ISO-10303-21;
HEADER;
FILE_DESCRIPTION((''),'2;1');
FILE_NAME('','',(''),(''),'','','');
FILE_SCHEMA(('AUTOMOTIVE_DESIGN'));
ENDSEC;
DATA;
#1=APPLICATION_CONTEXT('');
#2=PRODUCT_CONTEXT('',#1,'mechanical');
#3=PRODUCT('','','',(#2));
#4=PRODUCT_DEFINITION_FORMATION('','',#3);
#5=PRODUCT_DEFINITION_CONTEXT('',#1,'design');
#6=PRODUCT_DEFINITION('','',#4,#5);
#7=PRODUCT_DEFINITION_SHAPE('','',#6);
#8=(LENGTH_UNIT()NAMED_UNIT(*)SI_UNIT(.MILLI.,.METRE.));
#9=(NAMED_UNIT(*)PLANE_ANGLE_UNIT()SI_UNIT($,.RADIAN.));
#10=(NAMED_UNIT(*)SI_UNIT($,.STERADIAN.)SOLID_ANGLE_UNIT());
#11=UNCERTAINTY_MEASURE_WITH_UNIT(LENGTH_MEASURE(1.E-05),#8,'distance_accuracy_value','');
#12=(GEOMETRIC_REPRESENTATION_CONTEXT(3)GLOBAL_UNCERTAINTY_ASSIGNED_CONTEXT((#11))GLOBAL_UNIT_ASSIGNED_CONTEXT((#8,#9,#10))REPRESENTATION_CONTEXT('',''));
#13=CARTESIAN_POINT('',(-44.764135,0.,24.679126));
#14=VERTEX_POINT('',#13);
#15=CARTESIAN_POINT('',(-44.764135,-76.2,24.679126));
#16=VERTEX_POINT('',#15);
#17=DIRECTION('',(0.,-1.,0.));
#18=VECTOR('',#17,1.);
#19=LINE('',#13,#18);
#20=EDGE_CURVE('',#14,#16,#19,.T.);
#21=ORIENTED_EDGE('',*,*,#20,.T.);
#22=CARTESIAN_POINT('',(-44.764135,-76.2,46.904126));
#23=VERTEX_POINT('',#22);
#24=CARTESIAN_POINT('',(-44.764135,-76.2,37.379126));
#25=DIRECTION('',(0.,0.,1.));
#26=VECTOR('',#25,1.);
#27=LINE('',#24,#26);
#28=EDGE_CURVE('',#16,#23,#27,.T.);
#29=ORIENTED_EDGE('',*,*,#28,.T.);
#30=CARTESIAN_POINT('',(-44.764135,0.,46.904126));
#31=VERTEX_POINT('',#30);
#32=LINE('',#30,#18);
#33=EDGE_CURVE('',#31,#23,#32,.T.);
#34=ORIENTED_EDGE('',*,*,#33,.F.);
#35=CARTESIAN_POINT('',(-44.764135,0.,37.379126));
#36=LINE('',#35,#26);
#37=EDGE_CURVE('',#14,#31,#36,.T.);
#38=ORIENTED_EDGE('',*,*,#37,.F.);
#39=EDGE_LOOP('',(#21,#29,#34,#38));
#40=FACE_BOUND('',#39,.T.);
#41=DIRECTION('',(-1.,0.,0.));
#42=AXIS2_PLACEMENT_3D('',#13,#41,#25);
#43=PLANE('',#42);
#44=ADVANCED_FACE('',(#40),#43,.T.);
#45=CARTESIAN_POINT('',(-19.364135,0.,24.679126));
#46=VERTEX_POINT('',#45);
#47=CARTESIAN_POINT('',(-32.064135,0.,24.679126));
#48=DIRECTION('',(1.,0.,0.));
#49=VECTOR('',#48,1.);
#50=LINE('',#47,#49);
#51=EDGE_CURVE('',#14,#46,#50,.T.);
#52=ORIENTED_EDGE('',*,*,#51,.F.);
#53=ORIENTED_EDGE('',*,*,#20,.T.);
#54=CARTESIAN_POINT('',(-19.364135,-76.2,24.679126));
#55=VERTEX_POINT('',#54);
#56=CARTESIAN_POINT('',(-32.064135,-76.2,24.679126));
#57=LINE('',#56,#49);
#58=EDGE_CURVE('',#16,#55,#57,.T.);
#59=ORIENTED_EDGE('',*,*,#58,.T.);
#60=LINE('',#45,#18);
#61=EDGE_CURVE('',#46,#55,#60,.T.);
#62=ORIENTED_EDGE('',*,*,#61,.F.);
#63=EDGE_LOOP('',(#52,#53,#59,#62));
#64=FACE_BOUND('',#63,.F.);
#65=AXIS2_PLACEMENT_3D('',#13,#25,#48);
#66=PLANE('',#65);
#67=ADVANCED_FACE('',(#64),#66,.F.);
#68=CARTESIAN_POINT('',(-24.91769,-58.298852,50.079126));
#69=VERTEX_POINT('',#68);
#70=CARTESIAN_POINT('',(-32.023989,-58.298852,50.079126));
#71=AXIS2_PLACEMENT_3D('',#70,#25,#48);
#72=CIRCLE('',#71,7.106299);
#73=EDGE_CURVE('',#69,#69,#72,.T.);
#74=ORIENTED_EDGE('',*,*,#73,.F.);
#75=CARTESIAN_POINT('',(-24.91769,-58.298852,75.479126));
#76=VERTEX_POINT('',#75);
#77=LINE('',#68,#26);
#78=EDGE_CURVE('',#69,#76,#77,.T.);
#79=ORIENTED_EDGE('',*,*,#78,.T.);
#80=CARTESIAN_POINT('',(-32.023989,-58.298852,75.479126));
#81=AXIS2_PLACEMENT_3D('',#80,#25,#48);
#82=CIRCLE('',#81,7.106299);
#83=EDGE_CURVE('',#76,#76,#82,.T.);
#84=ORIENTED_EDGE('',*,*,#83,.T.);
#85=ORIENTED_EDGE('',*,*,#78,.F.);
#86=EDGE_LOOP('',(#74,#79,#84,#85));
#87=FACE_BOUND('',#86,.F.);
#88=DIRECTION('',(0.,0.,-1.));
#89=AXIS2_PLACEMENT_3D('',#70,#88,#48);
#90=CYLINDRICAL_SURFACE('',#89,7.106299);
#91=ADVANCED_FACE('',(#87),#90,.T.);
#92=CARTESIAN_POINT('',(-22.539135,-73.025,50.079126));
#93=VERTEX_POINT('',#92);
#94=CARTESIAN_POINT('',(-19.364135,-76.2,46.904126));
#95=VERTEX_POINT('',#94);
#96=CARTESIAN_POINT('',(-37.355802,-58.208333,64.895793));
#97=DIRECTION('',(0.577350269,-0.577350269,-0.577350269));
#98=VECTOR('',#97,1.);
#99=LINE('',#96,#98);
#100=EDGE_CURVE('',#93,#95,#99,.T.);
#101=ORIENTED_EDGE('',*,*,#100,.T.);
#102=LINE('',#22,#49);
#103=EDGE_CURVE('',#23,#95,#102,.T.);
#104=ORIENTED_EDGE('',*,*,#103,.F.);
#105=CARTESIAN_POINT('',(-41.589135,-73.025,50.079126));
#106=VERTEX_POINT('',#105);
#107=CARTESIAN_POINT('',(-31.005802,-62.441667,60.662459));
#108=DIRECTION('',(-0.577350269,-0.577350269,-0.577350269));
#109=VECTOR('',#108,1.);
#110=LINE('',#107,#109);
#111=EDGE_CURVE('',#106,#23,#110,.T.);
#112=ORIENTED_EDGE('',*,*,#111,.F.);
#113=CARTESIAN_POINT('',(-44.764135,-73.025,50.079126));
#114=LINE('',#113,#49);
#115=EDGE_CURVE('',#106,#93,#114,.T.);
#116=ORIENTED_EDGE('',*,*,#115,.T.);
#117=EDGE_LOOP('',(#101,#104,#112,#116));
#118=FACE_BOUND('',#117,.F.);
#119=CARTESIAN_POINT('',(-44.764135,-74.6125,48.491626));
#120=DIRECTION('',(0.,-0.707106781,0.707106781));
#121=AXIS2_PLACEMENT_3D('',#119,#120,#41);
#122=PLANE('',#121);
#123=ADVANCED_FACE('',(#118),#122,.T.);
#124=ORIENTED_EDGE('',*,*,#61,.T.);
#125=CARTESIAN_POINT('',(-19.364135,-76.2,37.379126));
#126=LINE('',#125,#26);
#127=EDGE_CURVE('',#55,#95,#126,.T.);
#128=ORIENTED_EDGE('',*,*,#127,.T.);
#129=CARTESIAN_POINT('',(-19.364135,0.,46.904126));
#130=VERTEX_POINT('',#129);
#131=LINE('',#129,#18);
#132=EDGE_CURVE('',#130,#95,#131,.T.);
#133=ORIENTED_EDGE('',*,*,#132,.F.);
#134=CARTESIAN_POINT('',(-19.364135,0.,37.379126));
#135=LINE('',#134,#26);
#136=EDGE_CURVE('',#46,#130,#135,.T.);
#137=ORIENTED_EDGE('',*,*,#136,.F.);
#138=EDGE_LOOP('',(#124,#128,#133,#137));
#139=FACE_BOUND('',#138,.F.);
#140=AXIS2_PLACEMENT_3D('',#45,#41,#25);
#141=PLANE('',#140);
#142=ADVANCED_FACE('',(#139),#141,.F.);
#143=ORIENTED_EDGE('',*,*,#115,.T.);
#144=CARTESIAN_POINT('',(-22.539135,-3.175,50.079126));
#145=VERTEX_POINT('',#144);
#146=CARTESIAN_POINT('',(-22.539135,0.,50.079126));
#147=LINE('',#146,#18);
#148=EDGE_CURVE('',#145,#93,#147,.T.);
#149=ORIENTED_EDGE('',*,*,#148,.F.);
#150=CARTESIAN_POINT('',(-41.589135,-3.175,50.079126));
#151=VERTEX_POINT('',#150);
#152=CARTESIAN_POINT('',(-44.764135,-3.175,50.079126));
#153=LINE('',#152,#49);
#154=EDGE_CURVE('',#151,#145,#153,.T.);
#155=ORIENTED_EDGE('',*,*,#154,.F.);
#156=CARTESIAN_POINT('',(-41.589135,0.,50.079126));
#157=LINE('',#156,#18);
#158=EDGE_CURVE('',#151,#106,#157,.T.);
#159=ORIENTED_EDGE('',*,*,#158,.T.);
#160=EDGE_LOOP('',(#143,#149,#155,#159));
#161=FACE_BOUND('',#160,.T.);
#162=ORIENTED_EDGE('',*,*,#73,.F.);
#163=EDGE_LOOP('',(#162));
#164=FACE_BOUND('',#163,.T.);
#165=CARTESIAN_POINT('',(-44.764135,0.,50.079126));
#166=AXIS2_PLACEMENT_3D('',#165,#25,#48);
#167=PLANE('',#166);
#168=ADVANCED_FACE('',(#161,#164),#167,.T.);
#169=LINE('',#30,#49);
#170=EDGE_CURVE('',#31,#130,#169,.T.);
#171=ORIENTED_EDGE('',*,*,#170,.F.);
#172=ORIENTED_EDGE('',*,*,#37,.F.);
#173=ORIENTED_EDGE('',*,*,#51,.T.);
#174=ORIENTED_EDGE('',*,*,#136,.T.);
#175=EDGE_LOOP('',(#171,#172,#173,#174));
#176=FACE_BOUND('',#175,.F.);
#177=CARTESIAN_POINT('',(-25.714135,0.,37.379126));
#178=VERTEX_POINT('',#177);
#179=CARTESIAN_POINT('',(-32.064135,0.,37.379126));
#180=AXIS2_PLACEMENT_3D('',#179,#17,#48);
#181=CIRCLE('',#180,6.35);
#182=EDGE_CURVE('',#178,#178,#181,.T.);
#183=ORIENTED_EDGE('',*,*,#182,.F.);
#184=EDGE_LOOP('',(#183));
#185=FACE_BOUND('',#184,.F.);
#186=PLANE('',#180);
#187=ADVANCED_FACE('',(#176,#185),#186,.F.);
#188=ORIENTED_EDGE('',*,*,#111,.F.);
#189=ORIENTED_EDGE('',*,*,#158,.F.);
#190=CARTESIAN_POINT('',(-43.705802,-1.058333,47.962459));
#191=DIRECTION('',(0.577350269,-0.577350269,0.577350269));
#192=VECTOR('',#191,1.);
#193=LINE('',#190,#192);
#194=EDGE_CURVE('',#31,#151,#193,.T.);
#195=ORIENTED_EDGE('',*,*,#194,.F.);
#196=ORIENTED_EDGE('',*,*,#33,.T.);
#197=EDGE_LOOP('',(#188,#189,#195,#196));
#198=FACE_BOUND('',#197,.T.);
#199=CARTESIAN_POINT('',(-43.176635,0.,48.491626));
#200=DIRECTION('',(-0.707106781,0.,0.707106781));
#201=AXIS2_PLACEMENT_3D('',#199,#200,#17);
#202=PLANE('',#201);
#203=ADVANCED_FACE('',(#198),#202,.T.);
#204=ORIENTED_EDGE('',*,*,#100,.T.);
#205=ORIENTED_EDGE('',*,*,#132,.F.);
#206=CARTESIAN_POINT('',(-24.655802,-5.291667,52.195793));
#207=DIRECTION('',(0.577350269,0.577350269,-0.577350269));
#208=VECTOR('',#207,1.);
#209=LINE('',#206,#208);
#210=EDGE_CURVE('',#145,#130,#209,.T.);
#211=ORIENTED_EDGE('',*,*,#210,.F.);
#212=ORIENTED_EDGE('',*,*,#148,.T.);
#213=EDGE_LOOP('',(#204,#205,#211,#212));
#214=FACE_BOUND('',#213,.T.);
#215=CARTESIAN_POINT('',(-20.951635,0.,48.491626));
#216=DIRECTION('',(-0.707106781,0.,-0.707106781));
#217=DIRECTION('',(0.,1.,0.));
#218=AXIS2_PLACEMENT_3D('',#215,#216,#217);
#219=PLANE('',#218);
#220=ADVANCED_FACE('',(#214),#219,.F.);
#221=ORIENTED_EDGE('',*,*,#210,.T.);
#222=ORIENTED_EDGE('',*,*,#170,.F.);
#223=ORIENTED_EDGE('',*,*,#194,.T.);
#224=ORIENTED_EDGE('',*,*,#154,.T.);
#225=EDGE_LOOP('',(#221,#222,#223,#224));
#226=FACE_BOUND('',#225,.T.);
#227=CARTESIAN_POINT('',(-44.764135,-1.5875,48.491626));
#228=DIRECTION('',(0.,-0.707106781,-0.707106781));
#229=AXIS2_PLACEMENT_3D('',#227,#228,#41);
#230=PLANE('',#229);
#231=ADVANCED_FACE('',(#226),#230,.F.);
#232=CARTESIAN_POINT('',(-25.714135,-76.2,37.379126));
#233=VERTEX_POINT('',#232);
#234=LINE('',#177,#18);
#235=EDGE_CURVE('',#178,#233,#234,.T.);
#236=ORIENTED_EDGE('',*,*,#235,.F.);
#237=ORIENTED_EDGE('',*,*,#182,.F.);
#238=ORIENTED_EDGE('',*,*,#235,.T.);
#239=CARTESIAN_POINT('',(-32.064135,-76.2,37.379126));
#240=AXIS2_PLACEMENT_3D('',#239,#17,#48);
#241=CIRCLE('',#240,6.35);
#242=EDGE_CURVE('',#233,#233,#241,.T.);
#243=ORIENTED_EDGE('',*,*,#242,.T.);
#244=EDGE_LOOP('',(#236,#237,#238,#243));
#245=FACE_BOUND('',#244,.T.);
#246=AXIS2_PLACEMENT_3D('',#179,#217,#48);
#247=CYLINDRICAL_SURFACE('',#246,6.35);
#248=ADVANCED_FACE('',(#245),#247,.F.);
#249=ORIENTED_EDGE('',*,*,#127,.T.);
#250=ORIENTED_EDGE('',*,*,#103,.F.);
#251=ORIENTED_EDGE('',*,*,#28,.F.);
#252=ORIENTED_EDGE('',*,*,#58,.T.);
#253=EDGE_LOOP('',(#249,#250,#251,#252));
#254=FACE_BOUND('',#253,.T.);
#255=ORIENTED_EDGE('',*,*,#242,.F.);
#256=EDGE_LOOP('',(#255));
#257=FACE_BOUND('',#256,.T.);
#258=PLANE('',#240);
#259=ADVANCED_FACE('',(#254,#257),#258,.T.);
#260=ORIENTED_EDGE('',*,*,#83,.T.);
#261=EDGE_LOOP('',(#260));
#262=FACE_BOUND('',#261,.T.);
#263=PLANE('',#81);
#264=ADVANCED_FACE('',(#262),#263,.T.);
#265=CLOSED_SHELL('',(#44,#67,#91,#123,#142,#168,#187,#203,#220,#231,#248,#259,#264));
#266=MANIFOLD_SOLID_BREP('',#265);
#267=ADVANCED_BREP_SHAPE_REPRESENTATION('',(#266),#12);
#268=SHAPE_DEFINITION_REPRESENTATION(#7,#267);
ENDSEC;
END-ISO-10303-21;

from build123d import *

# Parameters (mm, degrees)
F0_W     = 25.4
F0_H     = 25.4
F0_R     = 6.35
F1_DEPTH = 76.2
F2_R     = 7.106299
F3_DEPTH = 25.4
F4_SIZE  = 3.175


with BuildPart() as f1:
    # F0 (on Front) → F1 (new body)
    with BuildSketch(Plane.XZ):
        with Locations((-32.064135, 37.379126)):
            Rectangle(F0_W, F0_H)
        with Locations((-32.064135, 37.379126)):
            Circle(F0_R, mode=Mode.SUBTRACT)
    extrude(amount=F1_DEPTH)

    # F2 (on face) → F3 (join)
    with BuildSketch(Plane.XY.offset(50.079126)):
        with Locations((-32.023989, -58.298852)):
            Circle(F2_R)
    extrude(amount=F3_DEPTH)

    # F4
    f4_edges = [f1.edges().sort_by_distance(p)[0] for p in [
        (-19.364135, -38.1, 50.079126),
        (-32.064135, -76.2, 50.079126),
        (-44.764135, -38.1, 50.079126),
        (-32.064135, 0, 50.079126),
    ]]
    chamfer(f4_edges, length=F4_SIZE)


solid = f1.part
